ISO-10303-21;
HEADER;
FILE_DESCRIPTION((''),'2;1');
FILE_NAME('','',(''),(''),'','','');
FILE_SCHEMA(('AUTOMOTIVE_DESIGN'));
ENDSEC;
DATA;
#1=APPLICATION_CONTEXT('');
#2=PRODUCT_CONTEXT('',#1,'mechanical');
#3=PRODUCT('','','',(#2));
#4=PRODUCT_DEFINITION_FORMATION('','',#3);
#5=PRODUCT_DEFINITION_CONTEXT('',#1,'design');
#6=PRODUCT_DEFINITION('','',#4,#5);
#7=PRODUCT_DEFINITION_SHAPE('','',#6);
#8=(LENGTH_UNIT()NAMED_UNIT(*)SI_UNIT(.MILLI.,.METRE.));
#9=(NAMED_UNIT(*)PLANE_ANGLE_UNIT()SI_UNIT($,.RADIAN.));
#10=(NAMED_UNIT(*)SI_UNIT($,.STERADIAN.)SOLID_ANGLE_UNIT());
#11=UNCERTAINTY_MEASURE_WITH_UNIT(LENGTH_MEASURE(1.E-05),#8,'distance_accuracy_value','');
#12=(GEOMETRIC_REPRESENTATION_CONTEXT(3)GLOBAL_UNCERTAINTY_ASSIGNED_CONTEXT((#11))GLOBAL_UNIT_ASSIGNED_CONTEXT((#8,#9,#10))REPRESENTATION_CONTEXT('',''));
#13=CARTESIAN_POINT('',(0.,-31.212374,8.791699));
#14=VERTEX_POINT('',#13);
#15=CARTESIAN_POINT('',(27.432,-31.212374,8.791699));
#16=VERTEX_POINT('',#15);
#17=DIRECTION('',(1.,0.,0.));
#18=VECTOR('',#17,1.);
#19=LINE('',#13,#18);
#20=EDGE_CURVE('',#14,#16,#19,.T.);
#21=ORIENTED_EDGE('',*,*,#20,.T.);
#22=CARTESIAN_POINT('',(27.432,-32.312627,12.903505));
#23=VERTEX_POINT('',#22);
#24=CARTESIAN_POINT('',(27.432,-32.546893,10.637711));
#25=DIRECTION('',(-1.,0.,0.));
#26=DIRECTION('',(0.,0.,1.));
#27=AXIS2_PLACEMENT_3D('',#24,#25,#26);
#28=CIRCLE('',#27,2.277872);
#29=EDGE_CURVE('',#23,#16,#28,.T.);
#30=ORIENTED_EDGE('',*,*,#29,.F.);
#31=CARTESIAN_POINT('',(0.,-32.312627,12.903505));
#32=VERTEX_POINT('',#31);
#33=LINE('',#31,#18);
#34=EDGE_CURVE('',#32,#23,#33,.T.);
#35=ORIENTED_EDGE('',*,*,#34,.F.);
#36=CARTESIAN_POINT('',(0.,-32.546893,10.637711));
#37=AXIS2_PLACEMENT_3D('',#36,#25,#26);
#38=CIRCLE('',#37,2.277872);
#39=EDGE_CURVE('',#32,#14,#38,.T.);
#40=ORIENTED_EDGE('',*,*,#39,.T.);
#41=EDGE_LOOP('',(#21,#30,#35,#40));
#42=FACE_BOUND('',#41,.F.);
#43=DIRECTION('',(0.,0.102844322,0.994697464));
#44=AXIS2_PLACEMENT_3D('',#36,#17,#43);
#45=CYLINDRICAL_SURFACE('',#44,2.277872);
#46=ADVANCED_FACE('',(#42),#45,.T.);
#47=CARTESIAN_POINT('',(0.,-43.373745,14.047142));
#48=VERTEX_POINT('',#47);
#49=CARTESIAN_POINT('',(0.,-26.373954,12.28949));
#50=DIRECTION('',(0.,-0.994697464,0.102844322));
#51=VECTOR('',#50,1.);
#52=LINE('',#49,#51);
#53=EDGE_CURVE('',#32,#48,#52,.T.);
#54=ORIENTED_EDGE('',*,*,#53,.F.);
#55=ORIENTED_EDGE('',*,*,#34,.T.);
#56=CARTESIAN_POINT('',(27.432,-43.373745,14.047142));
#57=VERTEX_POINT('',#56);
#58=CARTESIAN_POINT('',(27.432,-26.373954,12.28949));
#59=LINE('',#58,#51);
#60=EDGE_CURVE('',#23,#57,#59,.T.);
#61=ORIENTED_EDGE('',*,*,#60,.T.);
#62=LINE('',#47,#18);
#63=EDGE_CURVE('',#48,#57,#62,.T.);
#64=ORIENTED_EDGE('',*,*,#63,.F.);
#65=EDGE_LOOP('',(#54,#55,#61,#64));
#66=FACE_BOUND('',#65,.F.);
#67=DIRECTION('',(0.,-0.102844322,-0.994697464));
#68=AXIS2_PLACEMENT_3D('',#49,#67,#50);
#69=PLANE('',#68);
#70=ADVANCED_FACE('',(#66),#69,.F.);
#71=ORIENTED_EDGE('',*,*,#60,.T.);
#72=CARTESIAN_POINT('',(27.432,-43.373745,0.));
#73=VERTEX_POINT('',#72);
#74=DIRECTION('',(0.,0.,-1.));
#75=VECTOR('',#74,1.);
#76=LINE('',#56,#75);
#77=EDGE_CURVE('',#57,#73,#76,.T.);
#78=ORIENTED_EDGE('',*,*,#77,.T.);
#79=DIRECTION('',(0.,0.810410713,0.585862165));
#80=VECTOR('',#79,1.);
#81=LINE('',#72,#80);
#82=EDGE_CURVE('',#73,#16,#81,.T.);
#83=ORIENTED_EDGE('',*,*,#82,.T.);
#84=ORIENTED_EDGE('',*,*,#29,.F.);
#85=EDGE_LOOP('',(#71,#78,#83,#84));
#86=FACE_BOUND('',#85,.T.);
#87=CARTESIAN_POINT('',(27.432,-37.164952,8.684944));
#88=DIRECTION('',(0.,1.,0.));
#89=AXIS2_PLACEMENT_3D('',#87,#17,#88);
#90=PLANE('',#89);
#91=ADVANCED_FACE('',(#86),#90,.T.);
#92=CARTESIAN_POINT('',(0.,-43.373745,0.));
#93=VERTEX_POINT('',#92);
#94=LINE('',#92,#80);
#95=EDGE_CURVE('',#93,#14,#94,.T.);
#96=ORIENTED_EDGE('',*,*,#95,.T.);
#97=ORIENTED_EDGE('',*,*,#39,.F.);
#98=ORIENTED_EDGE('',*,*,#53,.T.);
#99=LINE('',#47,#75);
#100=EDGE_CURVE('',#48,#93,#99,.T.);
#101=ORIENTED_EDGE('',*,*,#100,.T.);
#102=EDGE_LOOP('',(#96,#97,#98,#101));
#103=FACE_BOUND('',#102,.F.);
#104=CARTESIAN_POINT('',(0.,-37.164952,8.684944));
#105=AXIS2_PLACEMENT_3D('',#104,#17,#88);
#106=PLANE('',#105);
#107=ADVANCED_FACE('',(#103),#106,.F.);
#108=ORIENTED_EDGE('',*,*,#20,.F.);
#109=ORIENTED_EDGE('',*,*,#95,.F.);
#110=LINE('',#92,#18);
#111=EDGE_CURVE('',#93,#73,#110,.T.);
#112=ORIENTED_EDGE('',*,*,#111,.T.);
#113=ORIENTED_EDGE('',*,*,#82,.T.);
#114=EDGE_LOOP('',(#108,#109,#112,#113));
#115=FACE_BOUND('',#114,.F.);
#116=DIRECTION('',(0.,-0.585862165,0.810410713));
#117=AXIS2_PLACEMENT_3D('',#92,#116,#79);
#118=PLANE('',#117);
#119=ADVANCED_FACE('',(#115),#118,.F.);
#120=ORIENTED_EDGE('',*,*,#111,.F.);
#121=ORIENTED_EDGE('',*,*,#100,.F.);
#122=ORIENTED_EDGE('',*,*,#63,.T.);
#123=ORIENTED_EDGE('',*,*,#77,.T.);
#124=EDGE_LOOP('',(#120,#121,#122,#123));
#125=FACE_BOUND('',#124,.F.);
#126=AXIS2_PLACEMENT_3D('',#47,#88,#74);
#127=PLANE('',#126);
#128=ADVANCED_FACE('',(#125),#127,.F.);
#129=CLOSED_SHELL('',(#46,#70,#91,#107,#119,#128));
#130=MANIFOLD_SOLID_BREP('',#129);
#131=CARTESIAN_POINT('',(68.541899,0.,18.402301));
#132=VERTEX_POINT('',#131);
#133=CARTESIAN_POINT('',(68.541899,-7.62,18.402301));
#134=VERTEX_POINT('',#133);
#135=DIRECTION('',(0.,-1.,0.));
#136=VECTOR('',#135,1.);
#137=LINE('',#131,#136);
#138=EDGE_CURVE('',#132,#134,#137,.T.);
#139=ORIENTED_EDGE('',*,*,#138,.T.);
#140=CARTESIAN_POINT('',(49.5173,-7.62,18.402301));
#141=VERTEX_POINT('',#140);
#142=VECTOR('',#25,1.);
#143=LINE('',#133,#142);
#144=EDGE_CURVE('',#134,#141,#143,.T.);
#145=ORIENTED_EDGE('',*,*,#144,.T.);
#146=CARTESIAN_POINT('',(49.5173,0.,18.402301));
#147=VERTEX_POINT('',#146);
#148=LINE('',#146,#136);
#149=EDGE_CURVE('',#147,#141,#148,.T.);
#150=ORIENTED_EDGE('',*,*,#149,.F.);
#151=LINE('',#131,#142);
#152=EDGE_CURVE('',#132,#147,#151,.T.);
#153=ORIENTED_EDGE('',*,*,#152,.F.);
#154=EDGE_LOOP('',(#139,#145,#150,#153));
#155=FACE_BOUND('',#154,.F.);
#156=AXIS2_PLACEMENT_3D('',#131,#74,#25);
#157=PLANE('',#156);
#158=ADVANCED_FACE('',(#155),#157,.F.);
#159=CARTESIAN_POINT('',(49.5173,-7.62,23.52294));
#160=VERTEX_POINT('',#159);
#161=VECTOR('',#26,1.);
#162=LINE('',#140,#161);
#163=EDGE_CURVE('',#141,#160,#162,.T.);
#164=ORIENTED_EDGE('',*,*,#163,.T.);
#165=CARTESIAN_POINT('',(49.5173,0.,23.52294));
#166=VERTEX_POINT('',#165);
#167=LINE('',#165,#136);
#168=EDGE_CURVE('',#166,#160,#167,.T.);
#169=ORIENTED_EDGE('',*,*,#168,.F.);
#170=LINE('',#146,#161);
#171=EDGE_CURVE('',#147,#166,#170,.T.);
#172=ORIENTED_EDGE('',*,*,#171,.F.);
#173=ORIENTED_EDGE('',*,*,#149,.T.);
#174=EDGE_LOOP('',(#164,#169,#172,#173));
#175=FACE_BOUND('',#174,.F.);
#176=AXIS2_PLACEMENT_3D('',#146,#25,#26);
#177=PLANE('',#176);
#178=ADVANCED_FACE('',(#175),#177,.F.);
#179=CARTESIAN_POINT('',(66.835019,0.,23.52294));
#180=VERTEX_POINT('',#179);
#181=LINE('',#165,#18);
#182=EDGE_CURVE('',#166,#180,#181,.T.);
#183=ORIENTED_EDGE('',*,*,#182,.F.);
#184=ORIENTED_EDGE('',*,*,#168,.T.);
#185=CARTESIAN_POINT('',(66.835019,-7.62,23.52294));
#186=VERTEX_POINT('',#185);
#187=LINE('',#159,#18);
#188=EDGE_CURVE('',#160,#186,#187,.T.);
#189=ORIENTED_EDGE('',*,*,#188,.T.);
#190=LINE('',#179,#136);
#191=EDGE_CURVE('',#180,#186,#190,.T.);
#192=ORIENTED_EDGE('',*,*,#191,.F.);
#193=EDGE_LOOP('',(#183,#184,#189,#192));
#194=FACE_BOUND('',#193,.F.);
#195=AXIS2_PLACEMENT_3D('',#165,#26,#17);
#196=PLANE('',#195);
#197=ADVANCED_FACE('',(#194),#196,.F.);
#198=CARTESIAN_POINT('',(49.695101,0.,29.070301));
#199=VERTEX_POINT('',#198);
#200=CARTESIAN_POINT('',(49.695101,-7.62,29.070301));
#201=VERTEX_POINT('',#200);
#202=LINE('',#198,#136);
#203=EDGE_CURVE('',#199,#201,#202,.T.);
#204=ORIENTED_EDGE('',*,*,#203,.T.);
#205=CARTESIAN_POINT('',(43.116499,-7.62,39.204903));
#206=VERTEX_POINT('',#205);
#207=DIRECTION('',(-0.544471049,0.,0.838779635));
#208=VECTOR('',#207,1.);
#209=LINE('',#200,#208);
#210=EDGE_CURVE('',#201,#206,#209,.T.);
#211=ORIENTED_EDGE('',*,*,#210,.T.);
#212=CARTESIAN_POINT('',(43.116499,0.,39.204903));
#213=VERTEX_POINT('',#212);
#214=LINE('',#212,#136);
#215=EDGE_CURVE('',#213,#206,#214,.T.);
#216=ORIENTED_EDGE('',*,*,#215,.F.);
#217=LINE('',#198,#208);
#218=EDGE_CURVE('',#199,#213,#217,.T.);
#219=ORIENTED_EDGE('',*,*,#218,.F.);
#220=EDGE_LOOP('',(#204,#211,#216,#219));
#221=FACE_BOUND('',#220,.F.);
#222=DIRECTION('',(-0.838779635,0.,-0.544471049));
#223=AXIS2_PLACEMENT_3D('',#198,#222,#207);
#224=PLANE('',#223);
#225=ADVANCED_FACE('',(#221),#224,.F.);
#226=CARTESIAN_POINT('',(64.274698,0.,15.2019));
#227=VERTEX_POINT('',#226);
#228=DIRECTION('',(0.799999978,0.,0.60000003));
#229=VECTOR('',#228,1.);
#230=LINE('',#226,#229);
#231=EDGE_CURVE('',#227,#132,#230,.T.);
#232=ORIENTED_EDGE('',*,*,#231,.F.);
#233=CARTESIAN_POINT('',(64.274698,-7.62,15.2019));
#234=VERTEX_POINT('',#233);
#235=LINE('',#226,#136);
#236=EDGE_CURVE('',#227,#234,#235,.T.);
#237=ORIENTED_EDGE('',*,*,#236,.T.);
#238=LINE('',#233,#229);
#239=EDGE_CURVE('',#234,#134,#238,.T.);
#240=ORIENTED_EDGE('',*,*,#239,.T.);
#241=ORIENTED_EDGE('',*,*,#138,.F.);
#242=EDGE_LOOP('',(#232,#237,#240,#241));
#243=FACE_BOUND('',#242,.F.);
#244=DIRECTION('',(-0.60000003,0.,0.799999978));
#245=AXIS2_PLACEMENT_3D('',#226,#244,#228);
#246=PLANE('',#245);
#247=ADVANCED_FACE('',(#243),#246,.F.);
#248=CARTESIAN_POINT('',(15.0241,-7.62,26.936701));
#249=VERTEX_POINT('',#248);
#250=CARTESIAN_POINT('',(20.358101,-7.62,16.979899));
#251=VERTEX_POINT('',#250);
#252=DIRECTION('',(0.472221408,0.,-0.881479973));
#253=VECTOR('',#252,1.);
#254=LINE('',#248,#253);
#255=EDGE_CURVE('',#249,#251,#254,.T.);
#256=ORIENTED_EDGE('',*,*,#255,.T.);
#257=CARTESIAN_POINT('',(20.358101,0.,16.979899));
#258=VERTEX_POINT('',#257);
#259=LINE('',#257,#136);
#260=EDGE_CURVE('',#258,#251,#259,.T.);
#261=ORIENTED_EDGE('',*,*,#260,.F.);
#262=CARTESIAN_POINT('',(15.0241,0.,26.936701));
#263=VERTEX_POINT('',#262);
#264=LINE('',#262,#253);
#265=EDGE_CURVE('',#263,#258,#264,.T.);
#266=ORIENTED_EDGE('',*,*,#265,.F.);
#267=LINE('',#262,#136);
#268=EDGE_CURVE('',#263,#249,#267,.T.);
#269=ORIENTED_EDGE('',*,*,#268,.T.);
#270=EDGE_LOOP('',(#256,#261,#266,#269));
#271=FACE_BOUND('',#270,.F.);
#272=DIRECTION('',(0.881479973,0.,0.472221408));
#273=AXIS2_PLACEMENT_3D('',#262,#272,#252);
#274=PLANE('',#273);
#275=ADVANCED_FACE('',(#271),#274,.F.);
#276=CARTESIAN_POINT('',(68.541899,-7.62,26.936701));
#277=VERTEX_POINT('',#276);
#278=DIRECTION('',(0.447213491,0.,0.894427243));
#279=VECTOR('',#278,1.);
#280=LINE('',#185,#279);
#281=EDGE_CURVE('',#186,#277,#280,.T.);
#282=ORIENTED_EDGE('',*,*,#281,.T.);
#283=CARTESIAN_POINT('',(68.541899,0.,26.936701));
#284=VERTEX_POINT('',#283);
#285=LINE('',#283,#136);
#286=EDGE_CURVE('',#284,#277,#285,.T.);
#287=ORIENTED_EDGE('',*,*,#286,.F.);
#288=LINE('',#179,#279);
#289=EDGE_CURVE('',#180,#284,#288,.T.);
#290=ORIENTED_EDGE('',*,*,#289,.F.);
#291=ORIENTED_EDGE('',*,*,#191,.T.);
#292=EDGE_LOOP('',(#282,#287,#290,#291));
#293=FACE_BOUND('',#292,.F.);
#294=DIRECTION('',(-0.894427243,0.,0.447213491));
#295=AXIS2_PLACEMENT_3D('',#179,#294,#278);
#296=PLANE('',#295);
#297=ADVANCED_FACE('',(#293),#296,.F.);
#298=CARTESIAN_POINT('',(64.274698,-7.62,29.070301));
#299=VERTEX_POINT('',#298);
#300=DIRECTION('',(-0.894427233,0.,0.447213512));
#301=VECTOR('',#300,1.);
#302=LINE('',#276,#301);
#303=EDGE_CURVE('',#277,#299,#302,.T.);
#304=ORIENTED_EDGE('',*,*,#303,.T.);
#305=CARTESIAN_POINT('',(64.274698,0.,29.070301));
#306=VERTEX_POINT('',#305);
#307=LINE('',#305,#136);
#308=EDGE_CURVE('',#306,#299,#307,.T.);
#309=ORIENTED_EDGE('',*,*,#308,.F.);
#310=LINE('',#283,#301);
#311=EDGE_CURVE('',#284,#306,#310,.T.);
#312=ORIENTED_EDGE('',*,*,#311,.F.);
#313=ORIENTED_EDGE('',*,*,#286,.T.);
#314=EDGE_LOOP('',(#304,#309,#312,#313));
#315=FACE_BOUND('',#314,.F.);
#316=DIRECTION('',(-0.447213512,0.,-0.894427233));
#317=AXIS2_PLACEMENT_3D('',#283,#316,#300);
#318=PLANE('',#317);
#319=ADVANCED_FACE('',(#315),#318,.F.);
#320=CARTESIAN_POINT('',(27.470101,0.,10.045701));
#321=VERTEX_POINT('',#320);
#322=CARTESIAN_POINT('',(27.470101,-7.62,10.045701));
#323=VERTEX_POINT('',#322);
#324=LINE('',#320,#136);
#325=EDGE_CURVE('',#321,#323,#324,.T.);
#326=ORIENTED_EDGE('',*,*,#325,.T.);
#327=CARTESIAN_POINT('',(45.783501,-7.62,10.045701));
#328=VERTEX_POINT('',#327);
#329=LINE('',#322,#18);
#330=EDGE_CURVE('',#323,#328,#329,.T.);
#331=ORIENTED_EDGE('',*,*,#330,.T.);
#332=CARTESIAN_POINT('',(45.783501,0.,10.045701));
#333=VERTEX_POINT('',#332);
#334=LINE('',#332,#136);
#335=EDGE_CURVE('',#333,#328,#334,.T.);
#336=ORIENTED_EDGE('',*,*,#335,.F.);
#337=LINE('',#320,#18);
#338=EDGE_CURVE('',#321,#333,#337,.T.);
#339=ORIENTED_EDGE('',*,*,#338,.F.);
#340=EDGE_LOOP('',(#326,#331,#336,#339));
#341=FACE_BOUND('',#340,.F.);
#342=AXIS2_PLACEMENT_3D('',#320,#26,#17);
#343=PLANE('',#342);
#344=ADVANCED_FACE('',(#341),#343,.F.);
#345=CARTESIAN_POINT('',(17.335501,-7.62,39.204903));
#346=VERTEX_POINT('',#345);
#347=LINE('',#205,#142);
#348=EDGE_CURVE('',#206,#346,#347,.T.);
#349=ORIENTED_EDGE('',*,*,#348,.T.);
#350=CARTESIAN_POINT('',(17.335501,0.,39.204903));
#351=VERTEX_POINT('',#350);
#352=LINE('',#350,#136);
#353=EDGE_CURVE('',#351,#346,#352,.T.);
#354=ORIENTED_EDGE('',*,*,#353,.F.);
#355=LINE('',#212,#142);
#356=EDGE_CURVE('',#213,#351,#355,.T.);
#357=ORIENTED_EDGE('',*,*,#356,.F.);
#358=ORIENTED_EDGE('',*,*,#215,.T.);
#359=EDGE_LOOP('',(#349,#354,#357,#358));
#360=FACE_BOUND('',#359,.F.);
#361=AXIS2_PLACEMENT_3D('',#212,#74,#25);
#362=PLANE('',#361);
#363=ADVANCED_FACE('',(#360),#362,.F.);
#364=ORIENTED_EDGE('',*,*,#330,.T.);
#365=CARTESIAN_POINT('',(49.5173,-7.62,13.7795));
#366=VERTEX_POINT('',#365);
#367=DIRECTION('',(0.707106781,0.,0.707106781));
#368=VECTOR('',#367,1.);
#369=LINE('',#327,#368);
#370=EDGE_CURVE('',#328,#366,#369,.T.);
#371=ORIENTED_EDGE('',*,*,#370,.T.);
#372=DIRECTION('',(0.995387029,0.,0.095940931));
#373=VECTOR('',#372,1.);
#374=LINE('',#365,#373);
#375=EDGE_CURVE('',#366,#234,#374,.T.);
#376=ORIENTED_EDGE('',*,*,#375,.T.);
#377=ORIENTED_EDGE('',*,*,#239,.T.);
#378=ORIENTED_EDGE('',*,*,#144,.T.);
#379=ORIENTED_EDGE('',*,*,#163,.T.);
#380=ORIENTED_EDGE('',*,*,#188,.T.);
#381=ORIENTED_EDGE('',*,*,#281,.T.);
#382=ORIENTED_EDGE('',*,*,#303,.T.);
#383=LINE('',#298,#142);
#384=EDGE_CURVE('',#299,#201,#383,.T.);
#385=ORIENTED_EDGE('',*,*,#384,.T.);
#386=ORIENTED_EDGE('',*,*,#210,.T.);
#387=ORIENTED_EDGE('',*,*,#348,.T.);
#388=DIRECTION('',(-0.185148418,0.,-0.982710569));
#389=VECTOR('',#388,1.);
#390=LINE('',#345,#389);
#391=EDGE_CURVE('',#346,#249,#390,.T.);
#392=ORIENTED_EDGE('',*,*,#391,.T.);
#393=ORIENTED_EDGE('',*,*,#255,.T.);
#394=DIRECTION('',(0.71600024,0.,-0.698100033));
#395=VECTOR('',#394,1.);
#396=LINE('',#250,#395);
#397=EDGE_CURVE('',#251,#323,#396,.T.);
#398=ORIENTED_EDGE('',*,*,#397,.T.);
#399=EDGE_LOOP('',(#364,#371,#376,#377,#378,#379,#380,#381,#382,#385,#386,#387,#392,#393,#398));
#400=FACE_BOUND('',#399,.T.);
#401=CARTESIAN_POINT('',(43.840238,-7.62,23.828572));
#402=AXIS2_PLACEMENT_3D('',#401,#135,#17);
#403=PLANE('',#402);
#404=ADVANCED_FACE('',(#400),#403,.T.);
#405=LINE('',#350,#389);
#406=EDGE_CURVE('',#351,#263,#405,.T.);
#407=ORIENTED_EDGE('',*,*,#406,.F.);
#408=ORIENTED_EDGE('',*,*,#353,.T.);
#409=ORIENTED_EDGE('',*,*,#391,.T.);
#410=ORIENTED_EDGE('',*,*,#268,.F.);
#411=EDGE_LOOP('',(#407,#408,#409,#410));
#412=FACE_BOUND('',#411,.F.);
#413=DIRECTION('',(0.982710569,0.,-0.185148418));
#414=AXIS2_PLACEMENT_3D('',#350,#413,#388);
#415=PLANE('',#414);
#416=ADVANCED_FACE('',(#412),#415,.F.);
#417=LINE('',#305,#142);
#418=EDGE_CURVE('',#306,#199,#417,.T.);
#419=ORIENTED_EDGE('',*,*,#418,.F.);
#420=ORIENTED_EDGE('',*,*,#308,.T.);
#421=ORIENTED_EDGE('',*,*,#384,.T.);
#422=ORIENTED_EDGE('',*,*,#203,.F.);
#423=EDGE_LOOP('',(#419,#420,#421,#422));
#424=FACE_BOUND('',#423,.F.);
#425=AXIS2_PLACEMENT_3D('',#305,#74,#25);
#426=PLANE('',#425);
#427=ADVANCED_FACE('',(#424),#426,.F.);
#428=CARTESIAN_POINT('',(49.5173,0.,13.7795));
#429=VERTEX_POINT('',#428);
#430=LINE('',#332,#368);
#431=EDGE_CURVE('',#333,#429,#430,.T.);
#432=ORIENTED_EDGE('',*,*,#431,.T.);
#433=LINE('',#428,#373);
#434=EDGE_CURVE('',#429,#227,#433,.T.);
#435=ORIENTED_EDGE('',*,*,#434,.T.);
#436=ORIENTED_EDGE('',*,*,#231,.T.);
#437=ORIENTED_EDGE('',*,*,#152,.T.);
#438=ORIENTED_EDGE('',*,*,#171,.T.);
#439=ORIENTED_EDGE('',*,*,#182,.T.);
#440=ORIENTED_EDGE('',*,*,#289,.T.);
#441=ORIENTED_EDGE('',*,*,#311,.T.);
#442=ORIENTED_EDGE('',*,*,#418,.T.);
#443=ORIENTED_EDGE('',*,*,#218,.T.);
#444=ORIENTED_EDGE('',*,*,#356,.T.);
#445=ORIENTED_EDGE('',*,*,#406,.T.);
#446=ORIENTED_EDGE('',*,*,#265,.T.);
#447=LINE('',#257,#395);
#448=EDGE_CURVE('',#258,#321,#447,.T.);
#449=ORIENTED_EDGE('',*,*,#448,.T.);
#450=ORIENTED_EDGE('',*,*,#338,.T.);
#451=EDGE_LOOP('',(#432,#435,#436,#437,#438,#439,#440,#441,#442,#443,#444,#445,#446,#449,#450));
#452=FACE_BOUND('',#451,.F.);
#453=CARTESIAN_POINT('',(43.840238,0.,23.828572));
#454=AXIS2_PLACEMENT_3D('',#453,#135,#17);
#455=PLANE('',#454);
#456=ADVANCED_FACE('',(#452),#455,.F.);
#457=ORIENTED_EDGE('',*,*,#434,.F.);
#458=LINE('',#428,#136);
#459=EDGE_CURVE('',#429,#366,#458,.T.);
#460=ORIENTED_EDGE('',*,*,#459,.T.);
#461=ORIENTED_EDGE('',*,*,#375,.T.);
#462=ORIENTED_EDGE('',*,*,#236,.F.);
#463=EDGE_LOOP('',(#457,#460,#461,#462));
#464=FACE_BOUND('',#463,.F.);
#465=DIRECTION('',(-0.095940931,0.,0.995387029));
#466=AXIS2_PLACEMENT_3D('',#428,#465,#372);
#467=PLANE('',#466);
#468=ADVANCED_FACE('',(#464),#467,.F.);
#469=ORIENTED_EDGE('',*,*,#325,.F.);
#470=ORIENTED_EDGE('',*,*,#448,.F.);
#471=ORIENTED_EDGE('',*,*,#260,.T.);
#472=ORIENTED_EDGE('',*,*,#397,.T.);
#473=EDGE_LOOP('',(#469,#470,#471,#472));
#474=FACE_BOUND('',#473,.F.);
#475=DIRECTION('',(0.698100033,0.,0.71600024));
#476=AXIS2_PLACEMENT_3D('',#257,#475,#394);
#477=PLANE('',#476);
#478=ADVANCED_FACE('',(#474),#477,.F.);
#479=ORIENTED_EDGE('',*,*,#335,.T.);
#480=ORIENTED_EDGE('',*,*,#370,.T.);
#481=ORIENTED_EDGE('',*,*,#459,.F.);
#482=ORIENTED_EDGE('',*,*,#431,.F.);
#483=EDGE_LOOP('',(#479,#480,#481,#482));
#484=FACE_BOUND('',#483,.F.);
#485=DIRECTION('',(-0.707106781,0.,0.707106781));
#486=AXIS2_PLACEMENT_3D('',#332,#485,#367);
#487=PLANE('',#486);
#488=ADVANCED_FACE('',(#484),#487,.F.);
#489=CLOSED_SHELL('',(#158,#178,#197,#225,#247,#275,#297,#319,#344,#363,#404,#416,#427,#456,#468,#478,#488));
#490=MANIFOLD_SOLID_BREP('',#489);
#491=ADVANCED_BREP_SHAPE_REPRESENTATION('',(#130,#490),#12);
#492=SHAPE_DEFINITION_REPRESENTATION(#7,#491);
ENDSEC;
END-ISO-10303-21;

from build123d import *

# Parameters (mm, degrees)
F1_DEPTH = 7.62
F3_DEPTH = 27.432
F4_R     = 2.277872


with BuildPart() as f1:
    # F0 (on Front) → F1 (new body)
    with BuildSketch(Plane.XZ):
        Polygon((43.116499, 39.204903), (17.335501, 39.204903), (15.0241, 26.936701), (20.358101, 16.979899), (27.470101, 10.045701), (45.783501, 10.045701), (49.5173, 13.7795), (64.274698, 15.2019), (68.541899, 18.402301), (49.5173, 18.402301), (49.5173, 23.52294), (66.835019, 23.52294), (68.541899, 26.936701), (64.274698, 29.070301), (49.695101, 29.070301), align=None)
    extrude(amount=F1_DEPTH)


with BuildPart() as f3:
    # F2 (on Right) → F3 (new body)
    with BuildSketch(Plane.YZ):
        Polygon((-26.373954, 12.28949), (-43.373745, 14.047142), (-43.373745, 0), align=None)
    extrude(amount=F3_DEPTH)

    # F4
    f4_edges = [f3.edges().sort_by_distance(p)[0] for p in [
        (13.716, -26.373954, 12.28949),
    ]]
    fillet(f4_edges, radius=F4_R)


solid = Compound([f1.part, f3.part])
